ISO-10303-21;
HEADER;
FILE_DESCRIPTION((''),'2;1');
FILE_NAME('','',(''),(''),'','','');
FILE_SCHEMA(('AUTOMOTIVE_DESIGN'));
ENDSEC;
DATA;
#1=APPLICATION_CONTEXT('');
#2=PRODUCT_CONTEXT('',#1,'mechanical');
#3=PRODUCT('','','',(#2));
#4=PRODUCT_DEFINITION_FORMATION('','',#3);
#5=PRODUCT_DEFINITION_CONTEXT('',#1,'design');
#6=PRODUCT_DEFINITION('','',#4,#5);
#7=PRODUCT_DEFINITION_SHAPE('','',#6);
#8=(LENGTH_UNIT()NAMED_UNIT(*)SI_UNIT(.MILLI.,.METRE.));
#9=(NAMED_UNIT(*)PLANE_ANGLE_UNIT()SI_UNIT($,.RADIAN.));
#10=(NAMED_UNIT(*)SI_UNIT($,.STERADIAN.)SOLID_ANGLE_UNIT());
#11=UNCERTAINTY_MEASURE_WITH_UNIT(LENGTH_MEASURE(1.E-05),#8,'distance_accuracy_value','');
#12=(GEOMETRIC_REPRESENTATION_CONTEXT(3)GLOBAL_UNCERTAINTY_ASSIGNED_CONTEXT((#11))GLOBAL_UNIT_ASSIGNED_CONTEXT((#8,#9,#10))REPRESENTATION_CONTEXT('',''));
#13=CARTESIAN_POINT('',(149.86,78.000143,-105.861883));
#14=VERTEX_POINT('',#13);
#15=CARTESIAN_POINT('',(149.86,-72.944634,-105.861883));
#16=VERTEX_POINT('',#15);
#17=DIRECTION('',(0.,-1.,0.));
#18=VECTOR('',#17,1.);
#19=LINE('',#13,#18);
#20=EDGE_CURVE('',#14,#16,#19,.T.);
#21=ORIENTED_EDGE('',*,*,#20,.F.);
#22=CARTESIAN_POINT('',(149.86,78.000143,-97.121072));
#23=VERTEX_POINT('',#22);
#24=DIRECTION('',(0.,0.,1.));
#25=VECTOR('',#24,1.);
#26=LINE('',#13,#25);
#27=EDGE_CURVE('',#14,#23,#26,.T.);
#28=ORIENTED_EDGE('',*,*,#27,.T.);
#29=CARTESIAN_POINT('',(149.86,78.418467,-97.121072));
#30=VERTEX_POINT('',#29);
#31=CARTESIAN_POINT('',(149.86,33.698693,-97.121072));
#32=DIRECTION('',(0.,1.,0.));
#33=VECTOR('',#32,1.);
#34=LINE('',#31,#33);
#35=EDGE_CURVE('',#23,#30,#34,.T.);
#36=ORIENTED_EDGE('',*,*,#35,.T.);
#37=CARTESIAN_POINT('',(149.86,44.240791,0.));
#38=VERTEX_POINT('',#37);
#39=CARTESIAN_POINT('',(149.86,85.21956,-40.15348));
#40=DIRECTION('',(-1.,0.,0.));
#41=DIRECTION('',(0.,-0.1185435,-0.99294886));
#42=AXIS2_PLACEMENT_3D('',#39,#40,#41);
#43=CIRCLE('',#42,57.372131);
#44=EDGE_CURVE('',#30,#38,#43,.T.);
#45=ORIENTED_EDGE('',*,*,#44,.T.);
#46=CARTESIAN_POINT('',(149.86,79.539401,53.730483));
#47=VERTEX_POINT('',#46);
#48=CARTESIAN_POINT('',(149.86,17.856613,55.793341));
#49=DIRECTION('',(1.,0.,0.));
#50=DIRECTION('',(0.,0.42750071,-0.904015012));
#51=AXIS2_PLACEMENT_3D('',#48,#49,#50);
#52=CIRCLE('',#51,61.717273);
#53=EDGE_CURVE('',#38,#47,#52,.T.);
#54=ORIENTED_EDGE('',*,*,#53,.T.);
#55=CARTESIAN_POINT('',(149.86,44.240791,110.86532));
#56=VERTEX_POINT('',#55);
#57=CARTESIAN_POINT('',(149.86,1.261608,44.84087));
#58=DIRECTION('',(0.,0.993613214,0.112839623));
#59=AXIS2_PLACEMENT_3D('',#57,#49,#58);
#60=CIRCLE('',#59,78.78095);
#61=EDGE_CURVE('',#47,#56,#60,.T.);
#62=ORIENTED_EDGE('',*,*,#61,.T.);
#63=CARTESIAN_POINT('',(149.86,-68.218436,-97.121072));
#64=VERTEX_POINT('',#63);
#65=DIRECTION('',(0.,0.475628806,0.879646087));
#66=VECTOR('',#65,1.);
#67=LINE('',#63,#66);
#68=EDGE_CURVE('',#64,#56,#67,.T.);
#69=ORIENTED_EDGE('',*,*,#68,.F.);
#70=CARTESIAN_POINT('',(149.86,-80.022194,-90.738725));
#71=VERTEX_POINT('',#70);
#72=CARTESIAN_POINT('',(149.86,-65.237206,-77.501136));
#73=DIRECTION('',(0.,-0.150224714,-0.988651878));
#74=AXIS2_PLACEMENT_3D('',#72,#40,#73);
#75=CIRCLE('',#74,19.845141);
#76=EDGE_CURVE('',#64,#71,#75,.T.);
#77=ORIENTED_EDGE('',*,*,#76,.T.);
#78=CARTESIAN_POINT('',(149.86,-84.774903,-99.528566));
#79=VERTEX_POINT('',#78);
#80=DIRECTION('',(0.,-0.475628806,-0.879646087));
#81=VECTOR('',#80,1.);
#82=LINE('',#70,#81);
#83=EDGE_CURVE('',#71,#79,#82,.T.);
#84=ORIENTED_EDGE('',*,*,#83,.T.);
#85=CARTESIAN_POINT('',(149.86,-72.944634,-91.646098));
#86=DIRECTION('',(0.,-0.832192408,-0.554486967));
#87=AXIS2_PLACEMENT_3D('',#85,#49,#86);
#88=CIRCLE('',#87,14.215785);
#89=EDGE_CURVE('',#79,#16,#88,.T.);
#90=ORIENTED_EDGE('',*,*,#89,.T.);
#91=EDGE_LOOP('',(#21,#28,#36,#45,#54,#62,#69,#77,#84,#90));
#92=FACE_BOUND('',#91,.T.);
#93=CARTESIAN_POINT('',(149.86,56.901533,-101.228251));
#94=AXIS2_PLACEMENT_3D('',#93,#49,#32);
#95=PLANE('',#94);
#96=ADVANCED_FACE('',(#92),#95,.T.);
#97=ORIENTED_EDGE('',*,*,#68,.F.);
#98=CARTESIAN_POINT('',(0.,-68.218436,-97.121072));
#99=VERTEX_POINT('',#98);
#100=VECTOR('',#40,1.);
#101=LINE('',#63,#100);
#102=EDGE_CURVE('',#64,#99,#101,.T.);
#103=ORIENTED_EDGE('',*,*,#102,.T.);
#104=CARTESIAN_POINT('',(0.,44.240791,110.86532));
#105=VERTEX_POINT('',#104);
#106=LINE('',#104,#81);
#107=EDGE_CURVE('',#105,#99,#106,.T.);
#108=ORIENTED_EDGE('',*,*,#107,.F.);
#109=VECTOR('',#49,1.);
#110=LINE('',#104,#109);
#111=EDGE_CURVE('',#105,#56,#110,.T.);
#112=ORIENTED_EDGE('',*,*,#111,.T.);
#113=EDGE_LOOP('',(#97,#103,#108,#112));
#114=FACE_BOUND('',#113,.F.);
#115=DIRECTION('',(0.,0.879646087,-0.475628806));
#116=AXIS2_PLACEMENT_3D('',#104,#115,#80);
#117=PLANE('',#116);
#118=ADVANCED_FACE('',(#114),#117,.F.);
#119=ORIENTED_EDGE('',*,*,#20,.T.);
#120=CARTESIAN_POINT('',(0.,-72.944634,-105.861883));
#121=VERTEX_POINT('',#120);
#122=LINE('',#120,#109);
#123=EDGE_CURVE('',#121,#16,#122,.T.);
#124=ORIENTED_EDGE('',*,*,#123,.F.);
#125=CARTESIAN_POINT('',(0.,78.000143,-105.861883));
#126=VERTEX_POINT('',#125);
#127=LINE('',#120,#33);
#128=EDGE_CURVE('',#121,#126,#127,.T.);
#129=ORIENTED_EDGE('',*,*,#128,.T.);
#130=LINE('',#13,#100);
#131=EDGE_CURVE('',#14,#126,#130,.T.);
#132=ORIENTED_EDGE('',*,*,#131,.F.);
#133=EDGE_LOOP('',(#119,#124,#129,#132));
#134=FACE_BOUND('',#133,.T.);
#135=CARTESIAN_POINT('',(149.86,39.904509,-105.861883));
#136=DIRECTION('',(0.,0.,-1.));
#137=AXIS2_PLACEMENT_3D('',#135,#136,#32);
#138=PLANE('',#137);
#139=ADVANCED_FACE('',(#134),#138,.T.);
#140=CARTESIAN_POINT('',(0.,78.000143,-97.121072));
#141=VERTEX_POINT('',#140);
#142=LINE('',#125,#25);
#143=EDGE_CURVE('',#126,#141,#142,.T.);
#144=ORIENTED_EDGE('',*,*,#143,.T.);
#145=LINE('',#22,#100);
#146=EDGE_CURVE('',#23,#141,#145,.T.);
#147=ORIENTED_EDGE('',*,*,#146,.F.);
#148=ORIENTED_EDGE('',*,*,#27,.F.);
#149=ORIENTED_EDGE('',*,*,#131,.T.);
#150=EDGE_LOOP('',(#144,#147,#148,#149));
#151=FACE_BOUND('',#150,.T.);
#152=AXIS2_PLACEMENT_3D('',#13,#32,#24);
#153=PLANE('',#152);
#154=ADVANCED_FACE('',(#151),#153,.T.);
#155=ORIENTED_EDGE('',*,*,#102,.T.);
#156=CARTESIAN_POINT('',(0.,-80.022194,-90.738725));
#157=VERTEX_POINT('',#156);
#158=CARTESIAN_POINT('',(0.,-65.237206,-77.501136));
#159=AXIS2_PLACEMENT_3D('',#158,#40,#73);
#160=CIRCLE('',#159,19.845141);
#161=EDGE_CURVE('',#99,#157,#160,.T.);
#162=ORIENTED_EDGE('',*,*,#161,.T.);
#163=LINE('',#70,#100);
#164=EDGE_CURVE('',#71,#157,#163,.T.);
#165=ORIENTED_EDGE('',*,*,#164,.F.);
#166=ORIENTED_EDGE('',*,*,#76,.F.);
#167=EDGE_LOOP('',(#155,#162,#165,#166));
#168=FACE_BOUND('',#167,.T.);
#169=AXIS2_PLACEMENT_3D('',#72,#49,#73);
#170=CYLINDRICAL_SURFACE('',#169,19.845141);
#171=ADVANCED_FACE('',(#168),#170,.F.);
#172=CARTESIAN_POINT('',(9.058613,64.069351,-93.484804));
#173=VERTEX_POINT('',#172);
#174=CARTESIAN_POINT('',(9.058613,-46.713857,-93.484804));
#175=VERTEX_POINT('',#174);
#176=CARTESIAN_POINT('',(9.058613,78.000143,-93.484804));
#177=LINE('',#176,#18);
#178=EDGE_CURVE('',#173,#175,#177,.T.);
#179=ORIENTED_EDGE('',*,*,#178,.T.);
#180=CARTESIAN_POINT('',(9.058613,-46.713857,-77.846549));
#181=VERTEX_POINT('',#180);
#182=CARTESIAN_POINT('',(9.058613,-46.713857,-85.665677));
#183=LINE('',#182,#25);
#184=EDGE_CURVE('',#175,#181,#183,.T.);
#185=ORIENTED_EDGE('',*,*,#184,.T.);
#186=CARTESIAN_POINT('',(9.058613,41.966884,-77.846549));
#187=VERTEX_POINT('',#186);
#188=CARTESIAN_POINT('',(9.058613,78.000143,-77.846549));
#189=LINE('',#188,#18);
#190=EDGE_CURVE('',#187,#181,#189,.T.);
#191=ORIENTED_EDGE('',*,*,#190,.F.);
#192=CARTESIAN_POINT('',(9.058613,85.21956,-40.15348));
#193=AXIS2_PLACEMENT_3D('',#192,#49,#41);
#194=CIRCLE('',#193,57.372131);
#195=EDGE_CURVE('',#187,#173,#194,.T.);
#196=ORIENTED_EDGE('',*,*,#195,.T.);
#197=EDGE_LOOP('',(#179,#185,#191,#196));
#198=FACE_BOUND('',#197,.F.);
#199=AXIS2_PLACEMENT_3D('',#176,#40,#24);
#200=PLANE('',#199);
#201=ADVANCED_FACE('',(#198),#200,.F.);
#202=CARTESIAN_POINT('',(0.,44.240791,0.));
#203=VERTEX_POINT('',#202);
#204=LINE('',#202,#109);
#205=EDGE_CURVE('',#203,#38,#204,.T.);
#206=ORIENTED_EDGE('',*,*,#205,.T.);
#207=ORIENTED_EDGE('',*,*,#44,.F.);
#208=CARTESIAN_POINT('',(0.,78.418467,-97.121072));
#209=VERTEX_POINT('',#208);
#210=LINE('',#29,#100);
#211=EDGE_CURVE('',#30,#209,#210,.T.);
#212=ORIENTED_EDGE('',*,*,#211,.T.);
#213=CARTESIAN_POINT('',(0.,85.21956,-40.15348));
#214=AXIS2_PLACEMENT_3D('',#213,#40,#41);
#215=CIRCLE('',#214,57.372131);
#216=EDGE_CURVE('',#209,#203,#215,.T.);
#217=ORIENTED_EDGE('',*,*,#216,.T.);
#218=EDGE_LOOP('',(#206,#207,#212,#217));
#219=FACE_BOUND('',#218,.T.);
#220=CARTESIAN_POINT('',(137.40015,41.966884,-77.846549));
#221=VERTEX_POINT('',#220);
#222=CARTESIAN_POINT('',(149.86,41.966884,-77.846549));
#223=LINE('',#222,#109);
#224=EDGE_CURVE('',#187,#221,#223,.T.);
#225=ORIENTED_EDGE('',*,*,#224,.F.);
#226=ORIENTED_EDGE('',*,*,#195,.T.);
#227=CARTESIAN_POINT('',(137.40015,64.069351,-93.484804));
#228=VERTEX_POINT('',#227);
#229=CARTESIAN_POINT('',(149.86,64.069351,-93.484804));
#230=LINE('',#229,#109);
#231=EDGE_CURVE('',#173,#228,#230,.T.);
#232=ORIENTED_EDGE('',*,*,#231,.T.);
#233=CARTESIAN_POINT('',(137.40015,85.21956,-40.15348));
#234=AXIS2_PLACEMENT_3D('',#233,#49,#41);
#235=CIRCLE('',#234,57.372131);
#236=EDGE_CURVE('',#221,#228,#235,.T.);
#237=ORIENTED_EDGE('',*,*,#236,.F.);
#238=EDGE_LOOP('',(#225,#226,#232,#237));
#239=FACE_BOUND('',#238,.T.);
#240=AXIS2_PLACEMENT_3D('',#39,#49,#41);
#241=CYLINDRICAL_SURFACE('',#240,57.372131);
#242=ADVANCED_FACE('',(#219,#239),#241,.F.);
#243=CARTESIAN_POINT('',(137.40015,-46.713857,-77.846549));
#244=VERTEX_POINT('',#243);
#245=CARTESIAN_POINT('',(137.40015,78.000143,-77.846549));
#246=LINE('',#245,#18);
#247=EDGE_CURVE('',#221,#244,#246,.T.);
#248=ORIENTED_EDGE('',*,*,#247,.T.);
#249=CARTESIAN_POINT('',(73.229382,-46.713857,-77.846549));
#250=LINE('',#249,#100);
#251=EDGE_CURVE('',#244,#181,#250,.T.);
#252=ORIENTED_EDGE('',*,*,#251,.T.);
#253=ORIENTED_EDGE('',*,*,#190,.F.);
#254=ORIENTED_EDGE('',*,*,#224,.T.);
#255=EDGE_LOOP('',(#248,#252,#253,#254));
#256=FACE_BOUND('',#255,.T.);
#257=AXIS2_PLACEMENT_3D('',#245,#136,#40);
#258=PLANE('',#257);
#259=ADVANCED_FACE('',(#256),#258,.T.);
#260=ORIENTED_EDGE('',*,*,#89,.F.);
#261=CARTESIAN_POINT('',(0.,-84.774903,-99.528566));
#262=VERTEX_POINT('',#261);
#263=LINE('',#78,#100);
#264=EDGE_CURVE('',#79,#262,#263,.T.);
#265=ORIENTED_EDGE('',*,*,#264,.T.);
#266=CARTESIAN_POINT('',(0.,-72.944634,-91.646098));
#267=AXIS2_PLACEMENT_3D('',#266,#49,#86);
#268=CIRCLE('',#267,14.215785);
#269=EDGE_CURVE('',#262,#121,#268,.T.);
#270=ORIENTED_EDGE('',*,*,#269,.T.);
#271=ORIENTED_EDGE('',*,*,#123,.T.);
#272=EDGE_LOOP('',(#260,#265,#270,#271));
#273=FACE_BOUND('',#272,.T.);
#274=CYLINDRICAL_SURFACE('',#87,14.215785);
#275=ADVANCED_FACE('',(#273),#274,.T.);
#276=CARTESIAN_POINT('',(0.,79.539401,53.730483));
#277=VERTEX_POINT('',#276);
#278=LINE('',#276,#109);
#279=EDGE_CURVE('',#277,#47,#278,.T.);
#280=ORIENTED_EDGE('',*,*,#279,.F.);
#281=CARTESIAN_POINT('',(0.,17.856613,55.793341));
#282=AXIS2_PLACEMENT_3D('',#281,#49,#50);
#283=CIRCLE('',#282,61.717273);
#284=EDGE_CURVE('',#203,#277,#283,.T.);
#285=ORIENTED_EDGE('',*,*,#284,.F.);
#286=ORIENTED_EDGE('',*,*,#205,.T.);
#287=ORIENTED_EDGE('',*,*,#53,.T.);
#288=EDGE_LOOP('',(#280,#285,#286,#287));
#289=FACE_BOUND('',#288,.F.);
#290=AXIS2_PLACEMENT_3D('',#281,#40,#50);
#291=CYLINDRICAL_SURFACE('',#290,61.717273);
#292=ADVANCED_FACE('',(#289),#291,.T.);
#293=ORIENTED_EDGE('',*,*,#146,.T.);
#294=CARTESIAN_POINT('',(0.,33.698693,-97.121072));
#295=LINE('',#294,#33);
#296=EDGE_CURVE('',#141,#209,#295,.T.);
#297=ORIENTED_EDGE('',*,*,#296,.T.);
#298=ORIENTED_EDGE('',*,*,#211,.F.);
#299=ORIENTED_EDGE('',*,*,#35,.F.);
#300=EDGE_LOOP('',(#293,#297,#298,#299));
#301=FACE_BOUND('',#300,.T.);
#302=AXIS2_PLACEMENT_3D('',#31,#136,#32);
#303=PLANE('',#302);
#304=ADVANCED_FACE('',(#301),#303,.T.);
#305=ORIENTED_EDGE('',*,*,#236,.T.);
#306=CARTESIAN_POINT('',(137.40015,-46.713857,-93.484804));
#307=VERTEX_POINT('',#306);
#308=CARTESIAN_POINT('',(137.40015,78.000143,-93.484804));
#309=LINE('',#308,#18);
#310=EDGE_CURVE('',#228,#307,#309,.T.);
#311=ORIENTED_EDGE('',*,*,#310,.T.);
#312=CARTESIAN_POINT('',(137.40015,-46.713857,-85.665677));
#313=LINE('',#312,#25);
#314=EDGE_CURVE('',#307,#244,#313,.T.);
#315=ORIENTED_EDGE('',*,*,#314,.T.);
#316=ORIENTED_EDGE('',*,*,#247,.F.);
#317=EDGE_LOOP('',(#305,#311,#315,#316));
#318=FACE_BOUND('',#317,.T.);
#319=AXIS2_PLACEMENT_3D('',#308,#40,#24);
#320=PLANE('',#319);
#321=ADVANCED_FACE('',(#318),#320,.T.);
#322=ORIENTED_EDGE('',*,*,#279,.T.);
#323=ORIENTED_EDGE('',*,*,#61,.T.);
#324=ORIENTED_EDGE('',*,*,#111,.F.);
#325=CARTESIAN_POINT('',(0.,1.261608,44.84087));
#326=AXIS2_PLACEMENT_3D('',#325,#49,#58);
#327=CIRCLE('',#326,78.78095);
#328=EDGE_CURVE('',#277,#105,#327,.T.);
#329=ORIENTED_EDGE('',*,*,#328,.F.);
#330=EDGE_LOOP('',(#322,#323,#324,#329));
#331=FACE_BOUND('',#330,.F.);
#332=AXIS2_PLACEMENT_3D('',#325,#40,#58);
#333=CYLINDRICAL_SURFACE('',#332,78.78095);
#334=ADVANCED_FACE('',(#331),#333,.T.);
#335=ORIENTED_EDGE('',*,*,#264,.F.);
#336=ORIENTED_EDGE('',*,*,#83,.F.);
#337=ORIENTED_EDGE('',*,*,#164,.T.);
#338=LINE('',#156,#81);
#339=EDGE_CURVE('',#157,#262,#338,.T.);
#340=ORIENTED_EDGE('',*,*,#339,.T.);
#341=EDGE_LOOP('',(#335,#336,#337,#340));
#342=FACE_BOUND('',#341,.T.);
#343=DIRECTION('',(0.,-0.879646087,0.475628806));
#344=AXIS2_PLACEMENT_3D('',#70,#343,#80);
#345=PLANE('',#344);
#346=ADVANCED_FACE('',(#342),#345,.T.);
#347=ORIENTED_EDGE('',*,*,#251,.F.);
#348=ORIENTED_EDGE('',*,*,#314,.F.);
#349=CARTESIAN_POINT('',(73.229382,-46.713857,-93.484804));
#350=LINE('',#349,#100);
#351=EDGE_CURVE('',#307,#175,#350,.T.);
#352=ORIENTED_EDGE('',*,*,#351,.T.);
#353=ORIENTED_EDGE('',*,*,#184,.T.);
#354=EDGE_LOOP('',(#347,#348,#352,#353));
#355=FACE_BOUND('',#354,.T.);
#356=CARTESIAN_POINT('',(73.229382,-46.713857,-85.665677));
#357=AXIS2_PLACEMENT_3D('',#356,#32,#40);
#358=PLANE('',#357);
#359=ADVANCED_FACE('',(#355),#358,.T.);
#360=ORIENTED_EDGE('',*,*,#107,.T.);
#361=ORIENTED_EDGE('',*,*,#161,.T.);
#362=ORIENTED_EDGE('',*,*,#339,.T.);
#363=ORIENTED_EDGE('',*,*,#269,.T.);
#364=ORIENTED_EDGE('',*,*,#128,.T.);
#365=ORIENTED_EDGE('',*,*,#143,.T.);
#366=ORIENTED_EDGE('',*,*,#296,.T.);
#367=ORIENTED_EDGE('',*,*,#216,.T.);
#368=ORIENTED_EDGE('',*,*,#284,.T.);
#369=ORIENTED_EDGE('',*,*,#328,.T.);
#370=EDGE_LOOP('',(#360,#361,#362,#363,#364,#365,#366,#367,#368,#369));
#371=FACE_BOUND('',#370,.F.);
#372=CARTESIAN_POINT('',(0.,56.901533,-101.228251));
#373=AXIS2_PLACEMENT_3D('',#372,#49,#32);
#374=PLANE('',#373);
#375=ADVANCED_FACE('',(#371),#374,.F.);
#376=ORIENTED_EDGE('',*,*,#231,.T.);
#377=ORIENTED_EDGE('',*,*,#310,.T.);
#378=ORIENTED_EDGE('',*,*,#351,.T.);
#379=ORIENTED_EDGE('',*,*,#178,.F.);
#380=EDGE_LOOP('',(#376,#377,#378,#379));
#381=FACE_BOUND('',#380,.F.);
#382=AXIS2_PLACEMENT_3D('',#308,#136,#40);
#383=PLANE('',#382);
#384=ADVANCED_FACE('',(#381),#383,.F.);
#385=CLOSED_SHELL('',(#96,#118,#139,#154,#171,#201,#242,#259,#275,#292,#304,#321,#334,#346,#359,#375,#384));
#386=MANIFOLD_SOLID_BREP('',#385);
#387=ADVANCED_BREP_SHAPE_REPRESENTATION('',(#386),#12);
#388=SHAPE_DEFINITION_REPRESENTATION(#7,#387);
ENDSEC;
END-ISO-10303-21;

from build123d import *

# Parameters (mm, degrees)
F1_DEPTH = 149.86
F3_DEPTH = 149.86
F5_DEPTH = 149.86
F7_DEPTH = 149.86
F8_W     = 128.3415369689
F8_H     = 15.6382545829
F9_DEPTH = 124.714


with BuildPart() as f1:
    # F0 (on Right) → F1 (new body)
    with BuildSketch(Plane.YZ):
        with BuildLine():
            Line((44.2407907503, 110.8653195666), (-72.9446343889, -105.8618834673))
            Line((-72.9446343889, -105.8618834673), (39.9045087847, -105.8618834673))
            ThreePointArc((39.9045087847, -105.8618834673), (23.7226648403, -80.0116112868), (12.4027548979, -51.6929198598))
            ThreePointArc((12.4027548979, -51.6929198598), (16.7125207221, -18.6962392489), (44.2407907503, 0))
            ThreePointArc((44.2407907503, 0), (69.4384780949, 21.9062796628), (79.5394011802, 53.7304825436))
            ThreePointArc((79.5394011802, 53.7304825436), (68.2833280218, 86.247719056), (44.2407907503, 110.8653195666))
        make_face()
    extrude(amount=F1_DEPTH)

    # F2 (on face) → F3 (join)
    with BuildSketch(Plane.YZ.offset(149.86)):
        with BuildLine():
            ThreePointArc((-68.2184364909, -97.1210724816), (-74.6761266058, -94.9578371945), (-80.0221942177, -90.738724774))
            Line((-80.0221942177, -90.738724774), (-84.7749029282, -99.5285658693))
            ThreePointArc((-84.7749029282, -99.5285658693), (-79.6540711296, -104.1789354389), (-72.9446343889, -105.8618834673))
            Line((-72.9446343889, -105.8618834673), (-68.2184364909, -97.1210724816))
        make_face()
        with BuildLine():
            ThreePointArc((-50.4522174888, -64.2635481928), (-47.7805051422, -86.9400572359), (-68.2184364909, -97.1210724816))
            Line((-68.2184364909, -97.1210724816), (-72.9446343889, -105.8618834673))
            Line((-72.9446343889, -105.8618834673), (39.9045087847, -105.8618834673))
            ThreePointArc((39.9045087847, -105.8618834673), (23.7226648403, -80.0116112868), (12.4027548979, -51.6929198598))
            ThreePointArc((12.4027548979, -51.6929198598), (16.7125207221, -18.6962392489), (44.2407907503, 0))
            ThreePointArc((44.2407907503, 0), (69.4384780949, 21.9062796628), (79.5394011802, 53.7304825436))
            ThreePointArc((79.5394011802, 53.7304825436), (68.2833280218, 86.247719056), (44.2407907503, 110.8653195666))
            Line((44.2407907503, 110.8653195666), (-50.4522174888, -64.2635481928))
        make_face()
    extrude(amount=-F3_DEPTH)

    # F4 (on face) → F5 (join)
    with BuildSketch(Plane.YZ.offset(149.86)):
        with BuildLine():
            ThreePointArc((12.4027548979, -51.6929198598), (21.3713458152, -75.1942598568), (33.6986931702, -97.1210724816))
            Line((33.6986931702, -97.1210724816), (78.4184666755, -97.1210724816))
            ThreePointArc((78.4184666755, -97.1210724816), (31.1006677255, -59.1983474365), (44.2407907503, 0))
            ThreePointArc((44.2407907503, 0), (16.7125207221, -18.6962392489), (12.4027548979, -51.6929198598))
        make_face()
    extrude(amount=-F5_DEPTH)

    # F6 (on face) → F7 (join)
    with BuildSketch(Plane.YZ.offset(149.86)):
        with BuildLine():
            Line((78.0001431704, -97.1210724816), (33.6986931702, -97.1210724816))
            ThreePointArc((33.6986931702, -97.1210724816), (36.7329195442, -101.5402405334), (39.9045087847, -105.8618834673))
            Line((39.9045087847, -105.8618834673), (78.0001431704, -105.8618834673))
            Line((78.0001431704, -105.8618834673), (78.0001431704, -97.1210724816))
        make_face()
    extrude(amount=-F7_DEPTH)

    # F8 (on face) → F9 (cut)
    with BuildSketch(Plane(origin=(0, 78.0001431704, 0), x_dir=(-1, 0, 0), z_dir=(0, 1, 0))):
        with Locations((-73.2293818146, -85.6656767428)):
            Rectangle(F8_W, F8_H)
    extrude(amount=-F9_DEPTH, mode=Mode.SUBTRACT)


solid = f1.part
